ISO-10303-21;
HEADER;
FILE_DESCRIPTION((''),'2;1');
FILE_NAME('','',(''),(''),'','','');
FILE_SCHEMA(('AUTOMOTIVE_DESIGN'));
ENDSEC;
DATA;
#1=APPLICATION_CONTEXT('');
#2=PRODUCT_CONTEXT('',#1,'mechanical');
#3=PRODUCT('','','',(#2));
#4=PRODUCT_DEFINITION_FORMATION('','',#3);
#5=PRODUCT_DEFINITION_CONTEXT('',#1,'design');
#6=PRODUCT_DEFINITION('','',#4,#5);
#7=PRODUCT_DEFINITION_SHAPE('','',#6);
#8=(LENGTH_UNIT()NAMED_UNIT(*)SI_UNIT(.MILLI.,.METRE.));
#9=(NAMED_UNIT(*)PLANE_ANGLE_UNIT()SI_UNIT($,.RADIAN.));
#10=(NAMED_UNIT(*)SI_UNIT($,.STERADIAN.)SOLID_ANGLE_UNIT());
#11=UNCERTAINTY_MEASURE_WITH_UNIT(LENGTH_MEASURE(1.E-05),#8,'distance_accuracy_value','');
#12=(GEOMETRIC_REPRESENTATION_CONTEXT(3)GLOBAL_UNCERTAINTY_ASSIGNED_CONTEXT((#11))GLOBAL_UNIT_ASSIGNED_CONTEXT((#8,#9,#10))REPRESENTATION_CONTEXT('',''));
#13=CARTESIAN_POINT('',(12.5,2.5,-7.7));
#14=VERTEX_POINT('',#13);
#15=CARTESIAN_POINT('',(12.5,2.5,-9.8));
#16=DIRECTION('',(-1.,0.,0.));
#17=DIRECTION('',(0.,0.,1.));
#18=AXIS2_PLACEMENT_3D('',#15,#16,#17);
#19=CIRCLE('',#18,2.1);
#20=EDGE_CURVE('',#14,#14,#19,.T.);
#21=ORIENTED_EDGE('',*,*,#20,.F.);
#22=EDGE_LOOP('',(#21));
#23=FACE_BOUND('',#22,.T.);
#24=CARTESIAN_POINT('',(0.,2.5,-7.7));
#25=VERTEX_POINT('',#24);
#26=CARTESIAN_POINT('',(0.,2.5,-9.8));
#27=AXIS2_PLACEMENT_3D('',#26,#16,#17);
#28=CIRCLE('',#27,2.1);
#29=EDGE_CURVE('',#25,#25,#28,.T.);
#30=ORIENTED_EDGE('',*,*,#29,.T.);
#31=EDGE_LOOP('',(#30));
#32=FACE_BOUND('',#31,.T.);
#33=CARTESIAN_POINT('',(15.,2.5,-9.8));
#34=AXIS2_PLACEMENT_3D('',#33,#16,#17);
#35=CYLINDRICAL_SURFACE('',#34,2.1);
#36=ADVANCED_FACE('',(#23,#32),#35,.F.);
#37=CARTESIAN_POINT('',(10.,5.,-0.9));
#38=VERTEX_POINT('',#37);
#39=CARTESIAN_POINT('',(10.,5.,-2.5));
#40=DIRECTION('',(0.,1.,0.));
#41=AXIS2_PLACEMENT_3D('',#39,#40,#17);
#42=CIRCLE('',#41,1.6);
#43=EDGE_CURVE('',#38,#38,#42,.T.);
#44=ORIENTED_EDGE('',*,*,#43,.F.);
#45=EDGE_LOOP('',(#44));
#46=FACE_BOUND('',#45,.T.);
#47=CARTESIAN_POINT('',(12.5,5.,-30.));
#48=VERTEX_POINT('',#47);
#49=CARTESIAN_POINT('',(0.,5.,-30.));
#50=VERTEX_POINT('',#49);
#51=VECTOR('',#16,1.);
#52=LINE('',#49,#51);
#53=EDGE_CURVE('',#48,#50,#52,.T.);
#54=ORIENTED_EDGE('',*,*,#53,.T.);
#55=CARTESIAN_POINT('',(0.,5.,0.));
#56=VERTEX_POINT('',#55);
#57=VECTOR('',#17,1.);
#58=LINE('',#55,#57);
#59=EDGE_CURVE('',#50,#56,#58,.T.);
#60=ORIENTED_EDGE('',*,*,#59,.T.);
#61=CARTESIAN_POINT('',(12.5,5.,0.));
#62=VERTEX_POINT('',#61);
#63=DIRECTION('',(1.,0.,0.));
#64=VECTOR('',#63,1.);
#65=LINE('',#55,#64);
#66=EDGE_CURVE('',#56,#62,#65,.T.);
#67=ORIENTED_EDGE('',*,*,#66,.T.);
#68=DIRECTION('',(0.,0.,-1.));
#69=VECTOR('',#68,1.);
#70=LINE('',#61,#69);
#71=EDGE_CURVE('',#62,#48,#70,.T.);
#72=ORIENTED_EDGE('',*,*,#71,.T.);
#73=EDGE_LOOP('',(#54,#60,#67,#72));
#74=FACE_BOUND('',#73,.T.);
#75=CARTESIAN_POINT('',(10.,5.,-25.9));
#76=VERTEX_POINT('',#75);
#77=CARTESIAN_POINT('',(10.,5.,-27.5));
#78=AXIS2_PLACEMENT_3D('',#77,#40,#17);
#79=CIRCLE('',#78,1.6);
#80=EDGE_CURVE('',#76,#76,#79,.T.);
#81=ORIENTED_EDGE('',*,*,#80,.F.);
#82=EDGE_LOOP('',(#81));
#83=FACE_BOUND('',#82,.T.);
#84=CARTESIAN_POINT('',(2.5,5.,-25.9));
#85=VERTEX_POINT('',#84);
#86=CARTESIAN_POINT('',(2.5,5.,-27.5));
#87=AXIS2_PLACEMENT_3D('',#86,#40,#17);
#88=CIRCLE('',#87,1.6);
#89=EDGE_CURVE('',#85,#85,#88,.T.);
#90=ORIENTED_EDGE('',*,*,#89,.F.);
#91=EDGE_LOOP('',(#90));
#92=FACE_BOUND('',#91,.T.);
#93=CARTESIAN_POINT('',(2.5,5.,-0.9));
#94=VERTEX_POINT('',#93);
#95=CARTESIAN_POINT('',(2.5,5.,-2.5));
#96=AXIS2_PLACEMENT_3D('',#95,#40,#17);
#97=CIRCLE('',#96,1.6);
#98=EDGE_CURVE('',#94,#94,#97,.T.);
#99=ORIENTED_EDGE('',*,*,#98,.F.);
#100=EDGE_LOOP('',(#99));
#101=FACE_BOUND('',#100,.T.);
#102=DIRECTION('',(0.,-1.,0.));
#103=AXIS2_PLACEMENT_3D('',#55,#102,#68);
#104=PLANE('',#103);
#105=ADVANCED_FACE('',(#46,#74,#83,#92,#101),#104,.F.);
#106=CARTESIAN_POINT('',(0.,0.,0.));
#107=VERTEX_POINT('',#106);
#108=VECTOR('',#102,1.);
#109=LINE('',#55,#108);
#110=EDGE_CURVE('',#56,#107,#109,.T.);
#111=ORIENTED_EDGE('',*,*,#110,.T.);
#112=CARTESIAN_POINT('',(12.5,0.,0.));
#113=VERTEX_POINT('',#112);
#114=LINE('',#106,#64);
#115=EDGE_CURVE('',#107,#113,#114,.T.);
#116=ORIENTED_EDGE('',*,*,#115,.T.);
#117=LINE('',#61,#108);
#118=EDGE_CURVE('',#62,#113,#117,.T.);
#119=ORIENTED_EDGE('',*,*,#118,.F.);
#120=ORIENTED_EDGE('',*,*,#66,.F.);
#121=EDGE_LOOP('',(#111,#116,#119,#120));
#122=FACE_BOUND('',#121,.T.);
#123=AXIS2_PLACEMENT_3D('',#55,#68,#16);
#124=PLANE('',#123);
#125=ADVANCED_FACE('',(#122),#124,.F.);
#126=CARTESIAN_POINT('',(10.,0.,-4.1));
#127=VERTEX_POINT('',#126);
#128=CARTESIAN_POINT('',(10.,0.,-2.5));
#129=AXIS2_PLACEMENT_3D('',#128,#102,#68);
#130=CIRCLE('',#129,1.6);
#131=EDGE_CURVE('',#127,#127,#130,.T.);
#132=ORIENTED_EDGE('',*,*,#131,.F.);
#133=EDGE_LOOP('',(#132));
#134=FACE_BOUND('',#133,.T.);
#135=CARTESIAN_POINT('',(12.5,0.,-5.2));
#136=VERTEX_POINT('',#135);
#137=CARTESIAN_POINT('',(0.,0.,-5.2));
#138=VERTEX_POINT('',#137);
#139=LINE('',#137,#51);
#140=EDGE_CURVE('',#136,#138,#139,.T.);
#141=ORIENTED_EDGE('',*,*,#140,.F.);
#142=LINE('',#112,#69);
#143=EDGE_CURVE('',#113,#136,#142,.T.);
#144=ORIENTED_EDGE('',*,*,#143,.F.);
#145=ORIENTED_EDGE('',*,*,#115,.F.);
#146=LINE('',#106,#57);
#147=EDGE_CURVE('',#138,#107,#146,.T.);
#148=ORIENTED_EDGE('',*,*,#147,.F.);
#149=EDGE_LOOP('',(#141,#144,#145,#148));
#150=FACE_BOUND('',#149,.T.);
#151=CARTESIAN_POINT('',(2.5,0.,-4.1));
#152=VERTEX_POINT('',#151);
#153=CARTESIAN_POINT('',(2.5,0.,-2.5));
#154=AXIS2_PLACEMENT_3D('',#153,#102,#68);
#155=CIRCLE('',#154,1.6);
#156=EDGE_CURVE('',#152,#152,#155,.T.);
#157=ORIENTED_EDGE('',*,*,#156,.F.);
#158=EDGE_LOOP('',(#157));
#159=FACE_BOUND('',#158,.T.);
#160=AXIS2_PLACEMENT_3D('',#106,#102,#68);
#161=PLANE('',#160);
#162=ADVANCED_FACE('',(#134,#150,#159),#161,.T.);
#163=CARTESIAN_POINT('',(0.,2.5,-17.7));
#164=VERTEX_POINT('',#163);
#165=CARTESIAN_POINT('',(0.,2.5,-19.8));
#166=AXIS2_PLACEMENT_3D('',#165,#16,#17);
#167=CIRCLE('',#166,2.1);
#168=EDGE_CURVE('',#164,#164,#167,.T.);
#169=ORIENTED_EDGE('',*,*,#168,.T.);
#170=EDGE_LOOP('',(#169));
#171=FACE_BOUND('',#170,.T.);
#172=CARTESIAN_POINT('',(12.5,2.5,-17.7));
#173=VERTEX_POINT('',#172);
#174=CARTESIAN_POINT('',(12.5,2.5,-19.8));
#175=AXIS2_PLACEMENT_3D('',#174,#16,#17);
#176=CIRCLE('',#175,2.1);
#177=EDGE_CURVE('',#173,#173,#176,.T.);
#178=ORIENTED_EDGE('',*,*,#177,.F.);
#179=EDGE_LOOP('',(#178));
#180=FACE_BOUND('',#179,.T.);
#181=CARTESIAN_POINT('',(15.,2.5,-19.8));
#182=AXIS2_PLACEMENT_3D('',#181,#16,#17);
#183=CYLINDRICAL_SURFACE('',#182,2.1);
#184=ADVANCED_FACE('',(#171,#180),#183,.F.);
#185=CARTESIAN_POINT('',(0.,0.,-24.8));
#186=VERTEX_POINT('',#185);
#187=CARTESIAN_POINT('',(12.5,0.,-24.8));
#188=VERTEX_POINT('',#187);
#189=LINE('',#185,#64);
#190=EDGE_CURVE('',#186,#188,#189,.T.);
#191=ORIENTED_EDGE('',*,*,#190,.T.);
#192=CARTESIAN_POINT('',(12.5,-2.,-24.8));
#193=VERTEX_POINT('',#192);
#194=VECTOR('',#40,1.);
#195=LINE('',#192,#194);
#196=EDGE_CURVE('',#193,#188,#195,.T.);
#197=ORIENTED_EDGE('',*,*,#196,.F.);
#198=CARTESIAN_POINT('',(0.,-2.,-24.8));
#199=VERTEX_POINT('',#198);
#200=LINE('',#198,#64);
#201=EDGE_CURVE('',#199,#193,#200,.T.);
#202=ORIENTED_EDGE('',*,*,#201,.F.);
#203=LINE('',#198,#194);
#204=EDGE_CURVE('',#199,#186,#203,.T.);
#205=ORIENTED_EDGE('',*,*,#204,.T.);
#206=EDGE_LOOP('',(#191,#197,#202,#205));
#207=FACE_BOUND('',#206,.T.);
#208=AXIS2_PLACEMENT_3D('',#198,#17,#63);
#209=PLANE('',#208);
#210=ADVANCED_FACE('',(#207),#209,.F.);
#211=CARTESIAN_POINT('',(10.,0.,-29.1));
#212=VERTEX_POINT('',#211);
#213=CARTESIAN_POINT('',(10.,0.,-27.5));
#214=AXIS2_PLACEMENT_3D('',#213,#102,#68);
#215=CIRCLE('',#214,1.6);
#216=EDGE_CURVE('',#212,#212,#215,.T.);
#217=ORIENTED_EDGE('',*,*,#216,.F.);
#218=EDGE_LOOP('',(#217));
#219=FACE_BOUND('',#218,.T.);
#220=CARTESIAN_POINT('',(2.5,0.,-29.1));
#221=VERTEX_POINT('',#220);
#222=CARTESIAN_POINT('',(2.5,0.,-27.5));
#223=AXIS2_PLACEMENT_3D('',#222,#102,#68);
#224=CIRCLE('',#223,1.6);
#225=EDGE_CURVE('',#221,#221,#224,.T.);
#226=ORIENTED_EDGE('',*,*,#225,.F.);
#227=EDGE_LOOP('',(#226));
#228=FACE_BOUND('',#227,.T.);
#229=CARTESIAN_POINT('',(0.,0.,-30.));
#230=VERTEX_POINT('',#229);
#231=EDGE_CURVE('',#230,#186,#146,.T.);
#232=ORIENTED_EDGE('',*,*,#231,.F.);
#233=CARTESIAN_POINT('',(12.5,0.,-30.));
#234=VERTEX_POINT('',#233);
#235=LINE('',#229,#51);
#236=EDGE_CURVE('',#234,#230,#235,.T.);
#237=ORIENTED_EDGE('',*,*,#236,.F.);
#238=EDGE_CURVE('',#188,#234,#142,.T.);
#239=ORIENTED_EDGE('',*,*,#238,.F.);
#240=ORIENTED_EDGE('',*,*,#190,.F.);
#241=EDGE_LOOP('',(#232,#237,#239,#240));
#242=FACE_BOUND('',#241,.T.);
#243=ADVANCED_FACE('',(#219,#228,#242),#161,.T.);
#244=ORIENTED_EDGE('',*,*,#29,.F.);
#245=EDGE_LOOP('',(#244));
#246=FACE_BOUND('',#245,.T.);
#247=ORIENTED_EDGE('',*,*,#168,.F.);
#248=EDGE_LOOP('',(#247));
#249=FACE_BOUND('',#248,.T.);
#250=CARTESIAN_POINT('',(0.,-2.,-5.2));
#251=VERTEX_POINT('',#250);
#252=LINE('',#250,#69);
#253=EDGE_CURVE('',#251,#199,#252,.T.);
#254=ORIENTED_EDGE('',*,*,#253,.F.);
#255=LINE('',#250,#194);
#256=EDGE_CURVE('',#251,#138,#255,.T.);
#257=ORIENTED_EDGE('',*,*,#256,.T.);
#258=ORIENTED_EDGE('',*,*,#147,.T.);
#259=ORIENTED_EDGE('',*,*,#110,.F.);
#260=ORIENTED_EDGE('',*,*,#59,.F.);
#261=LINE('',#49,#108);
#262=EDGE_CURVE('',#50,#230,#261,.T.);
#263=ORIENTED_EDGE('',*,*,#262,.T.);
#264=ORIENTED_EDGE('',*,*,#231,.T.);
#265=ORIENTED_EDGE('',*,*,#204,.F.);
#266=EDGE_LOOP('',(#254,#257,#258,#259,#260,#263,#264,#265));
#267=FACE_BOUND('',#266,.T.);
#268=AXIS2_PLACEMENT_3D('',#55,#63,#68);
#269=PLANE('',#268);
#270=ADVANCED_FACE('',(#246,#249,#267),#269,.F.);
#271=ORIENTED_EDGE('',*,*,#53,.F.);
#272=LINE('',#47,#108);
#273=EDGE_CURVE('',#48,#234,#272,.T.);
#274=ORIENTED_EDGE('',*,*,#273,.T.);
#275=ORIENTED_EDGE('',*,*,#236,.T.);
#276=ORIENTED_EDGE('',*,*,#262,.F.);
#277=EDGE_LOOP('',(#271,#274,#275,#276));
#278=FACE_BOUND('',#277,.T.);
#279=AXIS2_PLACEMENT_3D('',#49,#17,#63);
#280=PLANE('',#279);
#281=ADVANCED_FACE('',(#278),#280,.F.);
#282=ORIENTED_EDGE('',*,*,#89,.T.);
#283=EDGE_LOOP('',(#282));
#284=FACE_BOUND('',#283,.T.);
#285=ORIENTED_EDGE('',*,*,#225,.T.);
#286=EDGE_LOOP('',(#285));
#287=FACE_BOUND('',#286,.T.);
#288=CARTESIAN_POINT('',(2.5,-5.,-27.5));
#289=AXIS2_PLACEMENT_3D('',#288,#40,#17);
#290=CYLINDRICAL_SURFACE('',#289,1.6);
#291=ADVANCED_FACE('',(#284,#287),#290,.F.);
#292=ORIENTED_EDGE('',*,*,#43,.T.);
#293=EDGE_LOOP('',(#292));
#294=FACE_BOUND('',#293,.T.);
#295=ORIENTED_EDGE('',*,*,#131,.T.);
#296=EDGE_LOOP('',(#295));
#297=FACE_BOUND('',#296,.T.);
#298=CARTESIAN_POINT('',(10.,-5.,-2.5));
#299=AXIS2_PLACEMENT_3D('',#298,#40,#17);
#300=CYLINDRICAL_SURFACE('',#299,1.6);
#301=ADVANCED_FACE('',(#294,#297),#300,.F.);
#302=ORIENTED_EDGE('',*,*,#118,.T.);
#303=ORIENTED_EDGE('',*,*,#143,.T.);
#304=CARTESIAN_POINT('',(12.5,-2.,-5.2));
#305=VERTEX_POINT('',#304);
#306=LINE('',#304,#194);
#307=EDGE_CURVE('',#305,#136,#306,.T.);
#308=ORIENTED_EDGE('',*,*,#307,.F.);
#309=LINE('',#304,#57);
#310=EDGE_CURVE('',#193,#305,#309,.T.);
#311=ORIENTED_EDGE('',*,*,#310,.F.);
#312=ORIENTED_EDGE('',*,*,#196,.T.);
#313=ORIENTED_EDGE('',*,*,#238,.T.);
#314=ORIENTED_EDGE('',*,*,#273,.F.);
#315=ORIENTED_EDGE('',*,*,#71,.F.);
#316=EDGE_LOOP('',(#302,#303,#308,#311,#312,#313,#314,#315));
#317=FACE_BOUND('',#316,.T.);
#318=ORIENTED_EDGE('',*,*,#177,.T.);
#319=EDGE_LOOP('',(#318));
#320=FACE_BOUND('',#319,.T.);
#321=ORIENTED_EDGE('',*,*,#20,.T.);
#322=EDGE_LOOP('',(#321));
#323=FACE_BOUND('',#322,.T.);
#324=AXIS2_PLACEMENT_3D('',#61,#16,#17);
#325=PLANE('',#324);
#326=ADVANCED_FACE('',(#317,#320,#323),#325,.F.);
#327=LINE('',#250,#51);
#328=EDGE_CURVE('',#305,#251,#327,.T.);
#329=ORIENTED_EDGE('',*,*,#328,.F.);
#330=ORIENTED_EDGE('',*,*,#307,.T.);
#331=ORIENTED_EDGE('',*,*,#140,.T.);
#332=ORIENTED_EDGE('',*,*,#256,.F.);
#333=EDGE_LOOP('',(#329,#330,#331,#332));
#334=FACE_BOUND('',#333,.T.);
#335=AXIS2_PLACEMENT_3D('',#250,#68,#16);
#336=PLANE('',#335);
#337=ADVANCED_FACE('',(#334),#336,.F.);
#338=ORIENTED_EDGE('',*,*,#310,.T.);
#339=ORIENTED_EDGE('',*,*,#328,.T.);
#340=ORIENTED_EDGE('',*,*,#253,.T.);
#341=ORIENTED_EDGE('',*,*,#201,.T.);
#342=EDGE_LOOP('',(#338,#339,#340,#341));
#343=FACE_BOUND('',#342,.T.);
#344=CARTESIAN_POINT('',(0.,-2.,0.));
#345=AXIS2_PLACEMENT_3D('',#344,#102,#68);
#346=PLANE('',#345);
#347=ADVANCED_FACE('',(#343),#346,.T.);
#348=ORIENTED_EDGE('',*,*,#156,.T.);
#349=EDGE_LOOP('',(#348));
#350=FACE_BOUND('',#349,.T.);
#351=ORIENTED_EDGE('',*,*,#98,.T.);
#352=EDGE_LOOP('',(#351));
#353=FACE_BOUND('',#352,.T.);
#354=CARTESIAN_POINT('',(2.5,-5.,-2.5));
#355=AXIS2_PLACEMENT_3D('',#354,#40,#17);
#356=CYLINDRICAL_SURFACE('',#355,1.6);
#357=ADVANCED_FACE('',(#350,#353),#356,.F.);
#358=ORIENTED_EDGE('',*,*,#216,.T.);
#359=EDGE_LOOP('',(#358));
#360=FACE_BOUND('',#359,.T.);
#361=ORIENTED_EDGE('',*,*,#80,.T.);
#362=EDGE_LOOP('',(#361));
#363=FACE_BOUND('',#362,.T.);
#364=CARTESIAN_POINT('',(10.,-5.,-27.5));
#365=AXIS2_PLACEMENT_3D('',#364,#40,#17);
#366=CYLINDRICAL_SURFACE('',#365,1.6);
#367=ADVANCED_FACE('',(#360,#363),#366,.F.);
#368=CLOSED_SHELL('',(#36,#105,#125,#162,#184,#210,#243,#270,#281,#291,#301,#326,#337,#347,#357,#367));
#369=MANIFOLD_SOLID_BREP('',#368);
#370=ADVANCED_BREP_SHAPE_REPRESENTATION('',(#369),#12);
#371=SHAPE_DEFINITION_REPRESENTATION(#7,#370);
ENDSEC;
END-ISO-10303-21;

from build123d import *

# Parameters (mm, degrees)
SKETCH1_W           = 12.5
SKETCH1_H           = 30
BOSS_EXTRUDE1_DEPTH = 5
SKETCH2_W           = 12.5
SKETCH2_H           = 19.6
BOSS_EXTRUDE2_DEPTH = 2
SKETCH3_R           = 2.1
CUT_EXTRUDE1_DEPTH  = 15
SKETCH4_R           = 1.6
CUT_EXTRUDE2_DEPTH  = 10
LPATTERN1_COUNT     = 2
LPATTERN1_PITCH     = 7.5


with BuildPart() as part:
    # Sketch1 → Boss-Extrude1 (new body)
    with BuildSketch(Plane(origin=(0, 0, 0), x_dir=(1, 0, 0), z_dir=(0, 1, 0))):
        with Locations((6.25, 15)):
            Rectangle(SKETCH1_W, SKETCH1_H)
    extrude(amount=BOSS_EXTRUDE1_DEPTH)

    # Sketch2 → Boss-Extrude2 (add)
    with BuildSketch(Plane.XZ):
        with Locations((6.25, -15)):
            Rectangle(SKETCH2_W, SKETCH2_H)
    extrude(amount=BOSS_EXTRUDE2_DEPTH)

    # Sketch3 → Cut-Extrude1 (cut)
    with BuildSketch(Plane.ZY):
        with Locations((-19.8, 2.5)):
            Circle(SKETCH3_R)
        with Locations((-9.8, 2.5)):
            Circle(SKETCH3_R)
    extrude(amount=-CUT_EXTRUDE1_DEPTH, mode=Mode.SUBTRACT)

    # Sketch4 → Cut-Extrude2 (cut)
    with BuildSketch(Plane(origin=(0, 5, 0), x_dir=(1, 0, 0), z_dir=(0, 1, 0))):
        with Locations((2.5, 27.5)):
            Circle(SKETCH4_R)
        with Locations((2.5, 2.5)):
            Circle(SKETCH4_R)
    cut_extrude2 = extrude(amount=-CUT_EXTRUDE2_DEPTH, mode=Mode.SUBTRACT)

    # LPattern1: Cut-Extrude2 ×2
    with Locations(*[(i * LPATTERN1_PITCH, 0, 0) for i in range(1, LPATTERN1_COUNT)]):
        add(cut_extrude2, mode=Mode.SUBTRACT)


solid = part.part
